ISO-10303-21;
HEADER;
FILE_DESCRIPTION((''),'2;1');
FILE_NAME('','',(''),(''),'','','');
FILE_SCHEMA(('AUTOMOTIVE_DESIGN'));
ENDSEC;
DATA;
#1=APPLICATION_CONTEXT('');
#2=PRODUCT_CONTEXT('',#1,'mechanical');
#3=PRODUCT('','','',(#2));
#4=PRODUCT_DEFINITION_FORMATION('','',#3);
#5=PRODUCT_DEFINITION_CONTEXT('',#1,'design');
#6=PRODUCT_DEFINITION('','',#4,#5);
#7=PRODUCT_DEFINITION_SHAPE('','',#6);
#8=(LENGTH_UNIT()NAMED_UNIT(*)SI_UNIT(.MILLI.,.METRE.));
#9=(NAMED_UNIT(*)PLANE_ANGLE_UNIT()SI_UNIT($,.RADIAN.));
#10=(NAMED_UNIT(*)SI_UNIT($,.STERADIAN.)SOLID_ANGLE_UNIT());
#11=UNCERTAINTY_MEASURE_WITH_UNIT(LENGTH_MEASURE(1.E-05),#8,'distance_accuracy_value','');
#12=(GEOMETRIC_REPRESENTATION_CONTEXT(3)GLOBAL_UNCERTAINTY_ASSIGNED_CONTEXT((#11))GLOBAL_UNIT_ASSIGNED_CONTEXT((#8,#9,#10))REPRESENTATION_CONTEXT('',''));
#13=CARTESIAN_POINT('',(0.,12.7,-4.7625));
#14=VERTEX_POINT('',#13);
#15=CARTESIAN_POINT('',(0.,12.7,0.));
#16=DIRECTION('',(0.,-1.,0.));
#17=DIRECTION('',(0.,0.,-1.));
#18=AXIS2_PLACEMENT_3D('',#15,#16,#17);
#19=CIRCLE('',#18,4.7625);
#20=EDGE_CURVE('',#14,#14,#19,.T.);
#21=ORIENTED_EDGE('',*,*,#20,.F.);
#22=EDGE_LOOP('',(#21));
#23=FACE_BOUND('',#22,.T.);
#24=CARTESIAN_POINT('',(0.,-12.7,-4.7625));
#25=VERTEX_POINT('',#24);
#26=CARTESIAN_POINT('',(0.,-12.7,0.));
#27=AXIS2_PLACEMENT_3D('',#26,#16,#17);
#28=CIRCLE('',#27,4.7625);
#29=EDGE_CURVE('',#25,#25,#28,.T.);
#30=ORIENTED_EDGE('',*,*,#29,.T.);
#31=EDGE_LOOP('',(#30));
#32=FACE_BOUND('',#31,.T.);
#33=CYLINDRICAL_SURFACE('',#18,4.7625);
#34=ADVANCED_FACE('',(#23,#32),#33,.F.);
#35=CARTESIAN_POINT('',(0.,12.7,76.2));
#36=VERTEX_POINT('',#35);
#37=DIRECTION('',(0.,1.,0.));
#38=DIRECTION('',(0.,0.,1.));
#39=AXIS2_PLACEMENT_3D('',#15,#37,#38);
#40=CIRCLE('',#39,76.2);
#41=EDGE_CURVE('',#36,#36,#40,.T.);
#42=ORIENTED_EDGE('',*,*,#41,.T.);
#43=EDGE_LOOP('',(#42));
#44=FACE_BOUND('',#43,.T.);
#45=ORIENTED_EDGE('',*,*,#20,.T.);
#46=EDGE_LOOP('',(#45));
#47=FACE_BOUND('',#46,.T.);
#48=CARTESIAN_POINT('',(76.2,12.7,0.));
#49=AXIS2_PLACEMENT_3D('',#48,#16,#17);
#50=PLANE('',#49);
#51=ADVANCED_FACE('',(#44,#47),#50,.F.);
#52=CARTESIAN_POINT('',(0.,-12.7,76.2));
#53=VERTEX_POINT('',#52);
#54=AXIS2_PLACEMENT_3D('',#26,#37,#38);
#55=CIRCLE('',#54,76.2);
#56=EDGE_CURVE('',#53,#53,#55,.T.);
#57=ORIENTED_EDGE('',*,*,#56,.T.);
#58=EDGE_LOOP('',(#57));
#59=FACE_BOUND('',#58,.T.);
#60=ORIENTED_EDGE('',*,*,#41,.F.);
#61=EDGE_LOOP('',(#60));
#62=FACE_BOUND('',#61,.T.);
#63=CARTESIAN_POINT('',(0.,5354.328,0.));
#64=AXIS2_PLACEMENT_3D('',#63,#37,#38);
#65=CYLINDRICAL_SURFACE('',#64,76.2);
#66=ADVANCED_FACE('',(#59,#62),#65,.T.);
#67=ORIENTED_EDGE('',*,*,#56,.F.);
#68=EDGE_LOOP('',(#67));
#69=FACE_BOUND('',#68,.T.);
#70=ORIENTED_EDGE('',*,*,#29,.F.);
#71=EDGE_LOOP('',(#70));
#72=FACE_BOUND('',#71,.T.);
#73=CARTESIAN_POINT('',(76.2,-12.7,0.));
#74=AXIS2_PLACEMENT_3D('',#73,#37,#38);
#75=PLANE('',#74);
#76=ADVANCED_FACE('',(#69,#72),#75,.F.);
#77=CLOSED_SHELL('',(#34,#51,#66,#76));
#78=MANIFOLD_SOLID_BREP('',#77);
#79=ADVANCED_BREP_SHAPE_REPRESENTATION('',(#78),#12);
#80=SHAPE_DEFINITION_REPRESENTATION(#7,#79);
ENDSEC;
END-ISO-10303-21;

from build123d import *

# Parameters (mm, degrees)
SKETCH1_W          = 76.2
SKETCH1_H          = 25.4
SKETCH2_R          = 4.7625
CUT_EXTRUDE1_DEPTH = 111.716033166


with BuildPart() as part:
    # Sketch1 → Revolve1 (revolve)
    with BuildSketch(Plane.XY, mode=Mode.PRIVATE) as revolve1_sk:
        with Locations((38.1, 0)):
            Rectangle(SKETCH1_W, SKETCH1_H)
    revolve(revolve1_sk.sketch.rotate(Axis((0, 5354.328, 0), (0, -1, 0)), 90), axis=Axis((0, 5354.328, 0), (0, -1, 0)))

    # Sketch2 → Cut-Extrude1 (cut, through all)
    with BuildSketch(Plane.XZ.offset(12.7)):
        with Locations(Location((0, 0, 0), (0, 0, 270))):
            Circle(SKETCH2_R)
    extrude(amount=-CUT_EXTRUDE1_DEPTH, mode=Mode.SUBTRACT)


solid = part.part
